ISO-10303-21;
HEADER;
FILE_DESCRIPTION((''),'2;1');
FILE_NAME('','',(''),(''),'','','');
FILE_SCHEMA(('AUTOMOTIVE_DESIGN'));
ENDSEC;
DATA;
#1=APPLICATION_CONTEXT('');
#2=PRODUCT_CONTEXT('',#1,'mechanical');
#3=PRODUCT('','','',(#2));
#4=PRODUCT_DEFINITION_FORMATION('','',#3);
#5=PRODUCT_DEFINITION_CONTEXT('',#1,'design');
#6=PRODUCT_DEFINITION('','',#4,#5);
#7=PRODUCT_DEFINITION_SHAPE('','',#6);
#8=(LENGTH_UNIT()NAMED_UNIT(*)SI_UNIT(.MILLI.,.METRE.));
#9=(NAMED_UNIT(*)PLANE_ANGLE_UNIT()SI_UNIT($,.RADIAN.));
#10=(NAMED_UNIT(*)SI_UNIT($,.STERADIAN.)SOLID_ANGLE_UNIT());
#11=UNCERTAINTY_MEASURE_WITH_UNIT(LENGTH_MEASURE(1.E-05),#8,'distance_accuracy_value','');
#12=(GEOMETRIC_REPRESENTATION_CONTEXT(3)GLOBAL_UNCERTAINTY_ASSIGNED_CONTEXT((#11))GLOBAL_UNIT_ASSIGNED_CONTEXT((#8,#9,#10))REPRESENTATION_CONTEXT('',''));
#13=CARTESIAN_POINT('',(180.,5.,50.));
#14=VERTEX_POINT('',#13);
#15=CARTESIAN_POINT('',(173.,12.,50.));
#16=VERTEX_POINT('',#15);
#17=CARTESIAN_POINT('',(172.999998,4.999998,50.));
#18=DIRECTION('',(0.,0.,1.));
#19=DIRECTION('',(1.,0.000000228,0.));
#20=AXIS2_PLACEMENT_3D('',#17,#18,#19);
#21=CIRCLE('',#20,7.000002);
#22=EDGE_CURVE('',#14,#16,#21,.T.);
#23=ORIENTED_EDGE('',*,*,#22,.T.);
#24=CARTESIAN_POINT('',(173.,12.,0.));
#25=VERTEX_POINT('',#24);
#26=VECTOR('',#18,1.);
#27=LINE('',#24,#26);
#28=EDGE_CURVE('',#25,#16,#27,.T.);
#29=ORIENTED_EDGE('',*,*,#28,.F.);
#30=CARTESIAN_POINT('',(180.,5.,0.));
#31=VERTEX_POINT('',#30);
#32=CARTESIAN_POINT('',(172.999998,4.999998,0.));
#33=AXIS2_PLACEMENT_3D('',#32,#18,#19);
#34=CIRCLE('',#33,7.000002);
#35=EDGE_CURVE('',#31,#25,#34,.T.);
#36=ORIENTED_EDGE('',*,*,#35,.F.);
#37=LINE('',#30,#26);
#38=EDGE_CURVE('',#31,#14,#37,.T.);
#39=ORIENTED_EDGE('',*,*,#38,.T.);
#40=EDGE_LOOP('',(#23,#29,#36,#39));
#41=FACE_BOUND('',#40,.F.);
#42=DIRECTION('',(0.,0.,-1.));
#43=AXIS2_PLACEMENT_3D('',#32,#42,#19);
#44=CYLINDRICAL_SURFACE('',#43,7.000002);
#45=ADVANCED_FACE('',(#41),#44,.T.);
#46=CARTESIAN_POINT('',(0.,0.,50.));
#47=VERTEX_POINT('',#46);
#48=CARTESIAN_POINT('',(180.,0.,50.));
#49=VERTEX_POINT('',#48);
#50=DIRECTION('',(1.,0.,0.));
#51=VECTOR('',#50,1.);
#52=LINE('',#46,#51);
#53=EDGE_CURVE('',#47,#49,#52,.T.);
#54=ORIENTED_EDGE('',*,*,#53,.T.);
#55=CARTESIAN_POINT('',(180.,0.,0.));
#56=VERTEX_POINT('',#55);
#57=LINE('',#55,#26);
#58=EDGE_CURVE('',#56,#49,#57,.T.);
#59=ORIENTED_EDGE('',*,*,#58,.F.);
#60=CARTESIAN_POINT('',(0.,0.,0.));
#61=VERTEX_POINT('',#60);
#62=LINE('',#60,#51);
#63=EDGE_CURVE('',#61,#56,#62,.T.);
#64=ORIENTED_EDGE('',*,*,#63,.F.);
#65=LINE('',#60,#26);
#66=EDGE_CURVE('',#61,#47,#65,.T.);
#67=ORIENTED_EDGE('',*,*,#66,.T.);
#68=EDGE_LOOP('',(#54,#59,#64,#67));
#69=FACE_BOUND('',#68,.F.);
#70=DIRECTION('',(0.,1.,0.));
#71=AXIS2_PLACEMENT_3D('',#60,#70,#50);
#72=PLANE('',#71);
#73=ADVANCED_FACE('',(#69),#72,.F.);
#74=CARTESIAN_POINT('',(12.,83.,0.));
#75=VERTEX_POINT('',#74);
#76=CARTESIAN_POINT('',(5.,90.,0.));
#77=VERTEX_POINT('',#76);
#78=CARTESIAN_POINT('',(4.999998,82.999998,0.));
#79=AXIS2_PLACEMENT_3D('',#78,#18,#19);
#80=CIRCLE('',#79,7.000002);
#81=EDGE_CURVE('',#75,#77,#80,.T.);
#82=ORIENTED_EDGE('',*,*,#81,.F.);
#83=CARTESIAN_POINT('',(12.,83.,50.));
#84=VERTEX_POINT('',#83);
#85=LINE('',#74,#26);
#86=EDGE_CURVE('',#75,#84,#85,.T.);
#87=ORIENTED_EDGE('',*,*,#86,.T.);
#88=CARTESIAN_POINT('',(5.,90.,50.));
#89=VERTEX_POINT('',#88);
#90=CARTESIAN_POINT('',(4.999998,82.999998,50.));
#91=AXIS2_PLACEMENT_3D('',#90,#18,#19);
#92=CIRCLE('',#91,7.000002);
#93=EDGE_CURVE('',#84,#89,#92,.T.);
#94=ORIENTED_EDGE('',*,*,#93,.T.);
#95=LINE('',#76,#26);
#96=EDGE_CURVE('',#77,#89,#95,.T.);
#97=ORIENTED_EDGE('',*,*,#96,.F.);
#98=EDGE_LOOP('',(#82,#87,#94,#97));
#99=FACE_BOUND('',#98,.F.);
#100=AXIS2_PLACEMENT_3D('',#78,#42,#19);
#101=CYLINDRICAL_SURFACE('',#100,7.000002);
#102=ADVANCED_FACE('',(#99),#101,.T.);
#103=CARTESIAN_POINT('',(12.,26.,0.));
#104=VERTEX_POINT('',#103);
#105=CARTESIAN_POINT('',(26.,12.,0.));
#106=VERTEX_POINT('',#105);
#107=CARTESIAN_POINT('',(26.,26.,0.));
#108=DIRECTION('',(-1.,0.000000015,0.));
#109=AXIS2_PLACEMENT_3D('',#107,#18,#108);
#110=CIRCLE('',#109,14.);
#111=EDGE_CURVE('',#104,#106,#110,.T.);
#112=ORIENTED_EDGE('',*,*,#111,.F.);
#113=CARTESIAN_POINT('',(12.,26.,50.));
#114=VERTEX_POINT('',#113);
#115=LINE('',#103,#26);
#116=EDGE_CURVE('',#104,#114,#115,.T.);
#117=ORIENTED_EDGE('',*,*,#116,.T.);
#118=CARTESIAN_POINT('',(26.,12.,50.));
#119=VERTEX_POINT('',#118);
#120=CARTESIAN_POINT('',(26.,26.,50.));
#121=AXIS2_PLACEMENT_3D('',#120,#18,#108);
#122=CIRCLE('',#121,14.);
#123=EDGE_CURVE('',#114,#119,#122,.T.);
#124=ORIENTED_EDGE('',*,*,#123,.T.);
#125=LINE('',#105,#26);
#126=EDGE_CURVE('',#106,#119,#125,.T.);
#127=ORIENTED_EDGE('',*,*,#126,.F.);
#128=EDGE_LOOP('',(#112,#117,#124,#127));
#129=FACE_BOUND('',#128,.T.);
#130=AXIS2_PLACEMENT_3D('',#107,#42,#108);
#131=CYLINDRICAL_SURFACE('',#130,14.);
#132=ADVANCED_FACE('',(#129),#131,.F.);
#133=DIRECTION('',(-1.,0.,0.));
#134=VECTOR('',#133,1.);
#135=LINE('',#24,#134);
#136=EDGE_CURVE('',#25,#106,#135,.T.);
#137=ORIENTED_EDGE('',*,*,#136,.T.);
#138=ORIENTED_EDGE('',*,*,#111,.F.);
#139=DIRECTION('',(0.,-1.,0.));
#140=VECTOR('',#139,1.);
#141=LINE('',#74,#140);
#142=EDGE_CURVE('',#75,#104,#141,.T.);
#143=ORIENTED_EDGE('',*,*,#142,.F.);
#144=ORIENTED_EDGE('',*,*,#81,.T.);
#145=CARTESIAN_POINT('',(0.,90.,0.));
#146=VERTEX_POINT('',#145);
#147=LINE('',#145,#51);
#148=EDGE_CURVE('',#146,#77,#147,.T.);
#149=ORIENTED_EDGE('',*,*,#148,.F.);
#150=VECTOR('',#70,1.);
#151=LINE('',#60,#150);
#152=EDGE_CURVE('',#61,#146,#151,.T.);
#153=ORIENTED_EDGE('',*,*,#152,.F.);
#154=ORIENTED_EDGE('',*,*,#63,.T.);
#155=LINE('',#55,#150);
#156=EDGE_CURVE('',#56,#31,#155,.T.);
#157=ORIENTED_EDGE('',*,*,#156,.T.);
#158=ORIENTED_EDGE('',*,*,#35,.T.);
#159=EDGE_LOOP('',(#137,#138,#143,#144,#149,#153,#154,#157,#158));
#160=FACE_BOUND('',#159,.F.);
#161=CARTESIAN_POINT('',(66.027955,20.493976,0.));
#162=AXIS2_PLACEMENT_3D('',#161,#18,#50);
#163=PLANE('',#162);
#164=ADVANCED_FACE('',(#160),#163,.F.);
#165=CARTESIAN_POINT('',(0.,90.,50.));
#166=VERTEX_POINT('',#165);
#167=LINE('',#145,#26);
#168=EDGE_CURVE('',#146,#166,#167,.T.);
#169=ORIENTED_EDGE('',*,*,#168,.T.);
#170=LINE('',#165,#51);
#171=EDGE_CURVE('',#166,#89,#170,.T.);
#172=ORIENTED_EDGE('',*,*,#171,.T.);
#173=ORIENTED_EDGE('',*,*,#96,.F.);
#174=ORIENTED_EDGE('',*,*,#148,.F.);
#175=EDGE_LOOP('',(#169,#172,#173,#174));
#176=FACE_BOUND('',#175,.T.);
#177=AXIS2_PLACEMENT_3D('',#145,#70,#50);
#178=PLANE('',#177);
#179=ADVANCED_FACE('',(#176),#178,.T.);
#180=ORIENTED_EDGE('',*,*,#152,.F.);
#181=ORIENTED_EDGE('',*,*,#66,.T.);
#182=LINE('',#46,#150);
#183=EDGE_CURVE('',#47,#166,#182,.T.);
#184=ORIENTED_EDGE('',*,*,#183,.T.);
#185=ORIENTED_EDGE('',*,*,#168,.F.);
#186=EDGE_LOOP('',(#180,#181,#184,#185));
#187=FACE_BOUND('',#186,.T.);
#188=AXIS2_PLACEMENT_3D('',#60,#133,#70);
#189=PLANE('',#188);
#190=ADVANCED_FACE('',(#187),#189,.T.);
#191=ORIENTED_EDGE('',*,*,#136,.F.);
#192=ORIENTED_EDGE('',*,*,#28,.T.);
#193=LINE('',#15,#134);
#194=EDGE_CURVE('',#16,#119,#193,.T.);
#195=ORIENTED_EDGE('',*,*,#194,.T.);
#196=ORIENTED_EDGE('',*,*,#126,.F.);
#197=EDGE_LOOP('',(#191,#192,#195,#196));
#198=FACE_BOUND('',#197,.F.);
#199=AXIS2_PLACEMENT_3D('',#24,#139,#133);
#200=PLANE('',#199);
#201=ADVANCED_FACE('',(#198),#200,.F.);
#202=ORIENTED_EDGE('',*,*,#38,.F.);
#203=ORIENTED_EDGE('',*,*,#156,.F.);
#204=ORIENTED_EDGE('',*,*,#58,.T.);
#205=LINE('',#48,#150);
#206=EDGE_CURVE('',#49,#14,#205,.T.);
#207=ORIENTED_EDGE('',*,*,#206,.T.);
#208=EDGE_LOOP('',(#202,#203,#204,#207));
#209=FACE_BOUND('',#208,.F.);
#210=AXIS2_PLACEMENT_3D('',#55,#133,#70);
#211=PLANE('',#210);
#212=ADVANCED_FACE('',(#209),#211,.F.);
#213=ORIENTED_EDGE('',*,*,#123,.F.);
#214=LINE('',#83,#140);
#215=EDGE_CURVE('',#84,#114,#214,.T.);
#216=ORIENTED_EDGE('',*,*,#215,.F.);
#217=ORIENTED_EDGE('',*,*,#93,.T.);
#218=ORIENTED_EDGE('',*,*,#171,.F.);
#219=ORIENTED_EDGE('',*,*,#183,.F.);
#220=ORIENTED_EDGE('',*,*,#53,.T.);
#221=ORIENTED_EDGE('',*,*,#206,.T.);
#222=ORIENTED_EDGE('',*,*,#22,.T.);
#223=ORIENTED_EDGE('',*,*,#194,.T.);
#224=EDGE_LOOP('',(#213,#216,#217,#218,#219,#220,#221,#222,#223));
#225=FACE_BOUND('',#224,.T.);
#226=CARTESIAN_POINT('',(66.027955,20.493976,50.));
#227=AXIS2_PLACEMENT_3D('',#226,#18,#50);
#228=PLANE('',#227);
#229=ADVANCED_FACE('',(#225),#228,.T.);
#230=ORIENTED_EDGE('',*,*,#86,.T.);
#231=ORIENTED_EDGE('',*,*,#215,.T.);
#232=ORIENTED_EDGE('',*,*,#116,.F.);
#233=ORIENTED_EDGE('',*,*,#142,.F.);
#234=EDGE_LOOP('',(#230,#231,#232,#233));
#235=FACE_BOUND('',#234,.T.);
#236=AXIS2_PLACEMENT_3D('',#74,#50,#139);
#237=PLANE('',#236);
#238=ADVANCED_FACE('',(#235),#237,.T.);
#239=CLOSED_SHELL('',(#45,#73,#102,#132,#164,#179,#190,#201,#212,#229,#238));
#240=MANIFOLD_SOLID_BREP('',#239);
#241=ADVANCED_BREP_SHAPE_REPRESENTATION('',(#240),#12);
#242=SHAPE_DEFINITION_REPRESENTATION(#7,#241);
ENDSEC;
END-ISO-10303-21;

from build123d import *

# Parameters (mm, degrees)
EXTRUDE_DEPTH = 50


with BuildPart() as part:
    # Sketch → Extrude (new body)
    with BuildSketch(Plane.XY):
        with BuildLine():
            Line((0, 0), (180, 0))
            Line((180, 0), (180, 5))
            ThreePointArc((180, 5), (177.949747, 9.949747), (173, 12))
            Line((173, 12), (26, 12))
            ThreePointArc((12, 26), (16.100505, 16.100505), (26, 12))
            Line((12, 83), (12, 26))
            ThreePointArc((12, 83), (9.949747, 87.949747), (5, 90))
            Line((0, 90), (5, 90))
            Line((0, 0), (0, 90))
        make_face()
    extrude(amount=EXTRUDE_DEPTH)


solid = part.part
